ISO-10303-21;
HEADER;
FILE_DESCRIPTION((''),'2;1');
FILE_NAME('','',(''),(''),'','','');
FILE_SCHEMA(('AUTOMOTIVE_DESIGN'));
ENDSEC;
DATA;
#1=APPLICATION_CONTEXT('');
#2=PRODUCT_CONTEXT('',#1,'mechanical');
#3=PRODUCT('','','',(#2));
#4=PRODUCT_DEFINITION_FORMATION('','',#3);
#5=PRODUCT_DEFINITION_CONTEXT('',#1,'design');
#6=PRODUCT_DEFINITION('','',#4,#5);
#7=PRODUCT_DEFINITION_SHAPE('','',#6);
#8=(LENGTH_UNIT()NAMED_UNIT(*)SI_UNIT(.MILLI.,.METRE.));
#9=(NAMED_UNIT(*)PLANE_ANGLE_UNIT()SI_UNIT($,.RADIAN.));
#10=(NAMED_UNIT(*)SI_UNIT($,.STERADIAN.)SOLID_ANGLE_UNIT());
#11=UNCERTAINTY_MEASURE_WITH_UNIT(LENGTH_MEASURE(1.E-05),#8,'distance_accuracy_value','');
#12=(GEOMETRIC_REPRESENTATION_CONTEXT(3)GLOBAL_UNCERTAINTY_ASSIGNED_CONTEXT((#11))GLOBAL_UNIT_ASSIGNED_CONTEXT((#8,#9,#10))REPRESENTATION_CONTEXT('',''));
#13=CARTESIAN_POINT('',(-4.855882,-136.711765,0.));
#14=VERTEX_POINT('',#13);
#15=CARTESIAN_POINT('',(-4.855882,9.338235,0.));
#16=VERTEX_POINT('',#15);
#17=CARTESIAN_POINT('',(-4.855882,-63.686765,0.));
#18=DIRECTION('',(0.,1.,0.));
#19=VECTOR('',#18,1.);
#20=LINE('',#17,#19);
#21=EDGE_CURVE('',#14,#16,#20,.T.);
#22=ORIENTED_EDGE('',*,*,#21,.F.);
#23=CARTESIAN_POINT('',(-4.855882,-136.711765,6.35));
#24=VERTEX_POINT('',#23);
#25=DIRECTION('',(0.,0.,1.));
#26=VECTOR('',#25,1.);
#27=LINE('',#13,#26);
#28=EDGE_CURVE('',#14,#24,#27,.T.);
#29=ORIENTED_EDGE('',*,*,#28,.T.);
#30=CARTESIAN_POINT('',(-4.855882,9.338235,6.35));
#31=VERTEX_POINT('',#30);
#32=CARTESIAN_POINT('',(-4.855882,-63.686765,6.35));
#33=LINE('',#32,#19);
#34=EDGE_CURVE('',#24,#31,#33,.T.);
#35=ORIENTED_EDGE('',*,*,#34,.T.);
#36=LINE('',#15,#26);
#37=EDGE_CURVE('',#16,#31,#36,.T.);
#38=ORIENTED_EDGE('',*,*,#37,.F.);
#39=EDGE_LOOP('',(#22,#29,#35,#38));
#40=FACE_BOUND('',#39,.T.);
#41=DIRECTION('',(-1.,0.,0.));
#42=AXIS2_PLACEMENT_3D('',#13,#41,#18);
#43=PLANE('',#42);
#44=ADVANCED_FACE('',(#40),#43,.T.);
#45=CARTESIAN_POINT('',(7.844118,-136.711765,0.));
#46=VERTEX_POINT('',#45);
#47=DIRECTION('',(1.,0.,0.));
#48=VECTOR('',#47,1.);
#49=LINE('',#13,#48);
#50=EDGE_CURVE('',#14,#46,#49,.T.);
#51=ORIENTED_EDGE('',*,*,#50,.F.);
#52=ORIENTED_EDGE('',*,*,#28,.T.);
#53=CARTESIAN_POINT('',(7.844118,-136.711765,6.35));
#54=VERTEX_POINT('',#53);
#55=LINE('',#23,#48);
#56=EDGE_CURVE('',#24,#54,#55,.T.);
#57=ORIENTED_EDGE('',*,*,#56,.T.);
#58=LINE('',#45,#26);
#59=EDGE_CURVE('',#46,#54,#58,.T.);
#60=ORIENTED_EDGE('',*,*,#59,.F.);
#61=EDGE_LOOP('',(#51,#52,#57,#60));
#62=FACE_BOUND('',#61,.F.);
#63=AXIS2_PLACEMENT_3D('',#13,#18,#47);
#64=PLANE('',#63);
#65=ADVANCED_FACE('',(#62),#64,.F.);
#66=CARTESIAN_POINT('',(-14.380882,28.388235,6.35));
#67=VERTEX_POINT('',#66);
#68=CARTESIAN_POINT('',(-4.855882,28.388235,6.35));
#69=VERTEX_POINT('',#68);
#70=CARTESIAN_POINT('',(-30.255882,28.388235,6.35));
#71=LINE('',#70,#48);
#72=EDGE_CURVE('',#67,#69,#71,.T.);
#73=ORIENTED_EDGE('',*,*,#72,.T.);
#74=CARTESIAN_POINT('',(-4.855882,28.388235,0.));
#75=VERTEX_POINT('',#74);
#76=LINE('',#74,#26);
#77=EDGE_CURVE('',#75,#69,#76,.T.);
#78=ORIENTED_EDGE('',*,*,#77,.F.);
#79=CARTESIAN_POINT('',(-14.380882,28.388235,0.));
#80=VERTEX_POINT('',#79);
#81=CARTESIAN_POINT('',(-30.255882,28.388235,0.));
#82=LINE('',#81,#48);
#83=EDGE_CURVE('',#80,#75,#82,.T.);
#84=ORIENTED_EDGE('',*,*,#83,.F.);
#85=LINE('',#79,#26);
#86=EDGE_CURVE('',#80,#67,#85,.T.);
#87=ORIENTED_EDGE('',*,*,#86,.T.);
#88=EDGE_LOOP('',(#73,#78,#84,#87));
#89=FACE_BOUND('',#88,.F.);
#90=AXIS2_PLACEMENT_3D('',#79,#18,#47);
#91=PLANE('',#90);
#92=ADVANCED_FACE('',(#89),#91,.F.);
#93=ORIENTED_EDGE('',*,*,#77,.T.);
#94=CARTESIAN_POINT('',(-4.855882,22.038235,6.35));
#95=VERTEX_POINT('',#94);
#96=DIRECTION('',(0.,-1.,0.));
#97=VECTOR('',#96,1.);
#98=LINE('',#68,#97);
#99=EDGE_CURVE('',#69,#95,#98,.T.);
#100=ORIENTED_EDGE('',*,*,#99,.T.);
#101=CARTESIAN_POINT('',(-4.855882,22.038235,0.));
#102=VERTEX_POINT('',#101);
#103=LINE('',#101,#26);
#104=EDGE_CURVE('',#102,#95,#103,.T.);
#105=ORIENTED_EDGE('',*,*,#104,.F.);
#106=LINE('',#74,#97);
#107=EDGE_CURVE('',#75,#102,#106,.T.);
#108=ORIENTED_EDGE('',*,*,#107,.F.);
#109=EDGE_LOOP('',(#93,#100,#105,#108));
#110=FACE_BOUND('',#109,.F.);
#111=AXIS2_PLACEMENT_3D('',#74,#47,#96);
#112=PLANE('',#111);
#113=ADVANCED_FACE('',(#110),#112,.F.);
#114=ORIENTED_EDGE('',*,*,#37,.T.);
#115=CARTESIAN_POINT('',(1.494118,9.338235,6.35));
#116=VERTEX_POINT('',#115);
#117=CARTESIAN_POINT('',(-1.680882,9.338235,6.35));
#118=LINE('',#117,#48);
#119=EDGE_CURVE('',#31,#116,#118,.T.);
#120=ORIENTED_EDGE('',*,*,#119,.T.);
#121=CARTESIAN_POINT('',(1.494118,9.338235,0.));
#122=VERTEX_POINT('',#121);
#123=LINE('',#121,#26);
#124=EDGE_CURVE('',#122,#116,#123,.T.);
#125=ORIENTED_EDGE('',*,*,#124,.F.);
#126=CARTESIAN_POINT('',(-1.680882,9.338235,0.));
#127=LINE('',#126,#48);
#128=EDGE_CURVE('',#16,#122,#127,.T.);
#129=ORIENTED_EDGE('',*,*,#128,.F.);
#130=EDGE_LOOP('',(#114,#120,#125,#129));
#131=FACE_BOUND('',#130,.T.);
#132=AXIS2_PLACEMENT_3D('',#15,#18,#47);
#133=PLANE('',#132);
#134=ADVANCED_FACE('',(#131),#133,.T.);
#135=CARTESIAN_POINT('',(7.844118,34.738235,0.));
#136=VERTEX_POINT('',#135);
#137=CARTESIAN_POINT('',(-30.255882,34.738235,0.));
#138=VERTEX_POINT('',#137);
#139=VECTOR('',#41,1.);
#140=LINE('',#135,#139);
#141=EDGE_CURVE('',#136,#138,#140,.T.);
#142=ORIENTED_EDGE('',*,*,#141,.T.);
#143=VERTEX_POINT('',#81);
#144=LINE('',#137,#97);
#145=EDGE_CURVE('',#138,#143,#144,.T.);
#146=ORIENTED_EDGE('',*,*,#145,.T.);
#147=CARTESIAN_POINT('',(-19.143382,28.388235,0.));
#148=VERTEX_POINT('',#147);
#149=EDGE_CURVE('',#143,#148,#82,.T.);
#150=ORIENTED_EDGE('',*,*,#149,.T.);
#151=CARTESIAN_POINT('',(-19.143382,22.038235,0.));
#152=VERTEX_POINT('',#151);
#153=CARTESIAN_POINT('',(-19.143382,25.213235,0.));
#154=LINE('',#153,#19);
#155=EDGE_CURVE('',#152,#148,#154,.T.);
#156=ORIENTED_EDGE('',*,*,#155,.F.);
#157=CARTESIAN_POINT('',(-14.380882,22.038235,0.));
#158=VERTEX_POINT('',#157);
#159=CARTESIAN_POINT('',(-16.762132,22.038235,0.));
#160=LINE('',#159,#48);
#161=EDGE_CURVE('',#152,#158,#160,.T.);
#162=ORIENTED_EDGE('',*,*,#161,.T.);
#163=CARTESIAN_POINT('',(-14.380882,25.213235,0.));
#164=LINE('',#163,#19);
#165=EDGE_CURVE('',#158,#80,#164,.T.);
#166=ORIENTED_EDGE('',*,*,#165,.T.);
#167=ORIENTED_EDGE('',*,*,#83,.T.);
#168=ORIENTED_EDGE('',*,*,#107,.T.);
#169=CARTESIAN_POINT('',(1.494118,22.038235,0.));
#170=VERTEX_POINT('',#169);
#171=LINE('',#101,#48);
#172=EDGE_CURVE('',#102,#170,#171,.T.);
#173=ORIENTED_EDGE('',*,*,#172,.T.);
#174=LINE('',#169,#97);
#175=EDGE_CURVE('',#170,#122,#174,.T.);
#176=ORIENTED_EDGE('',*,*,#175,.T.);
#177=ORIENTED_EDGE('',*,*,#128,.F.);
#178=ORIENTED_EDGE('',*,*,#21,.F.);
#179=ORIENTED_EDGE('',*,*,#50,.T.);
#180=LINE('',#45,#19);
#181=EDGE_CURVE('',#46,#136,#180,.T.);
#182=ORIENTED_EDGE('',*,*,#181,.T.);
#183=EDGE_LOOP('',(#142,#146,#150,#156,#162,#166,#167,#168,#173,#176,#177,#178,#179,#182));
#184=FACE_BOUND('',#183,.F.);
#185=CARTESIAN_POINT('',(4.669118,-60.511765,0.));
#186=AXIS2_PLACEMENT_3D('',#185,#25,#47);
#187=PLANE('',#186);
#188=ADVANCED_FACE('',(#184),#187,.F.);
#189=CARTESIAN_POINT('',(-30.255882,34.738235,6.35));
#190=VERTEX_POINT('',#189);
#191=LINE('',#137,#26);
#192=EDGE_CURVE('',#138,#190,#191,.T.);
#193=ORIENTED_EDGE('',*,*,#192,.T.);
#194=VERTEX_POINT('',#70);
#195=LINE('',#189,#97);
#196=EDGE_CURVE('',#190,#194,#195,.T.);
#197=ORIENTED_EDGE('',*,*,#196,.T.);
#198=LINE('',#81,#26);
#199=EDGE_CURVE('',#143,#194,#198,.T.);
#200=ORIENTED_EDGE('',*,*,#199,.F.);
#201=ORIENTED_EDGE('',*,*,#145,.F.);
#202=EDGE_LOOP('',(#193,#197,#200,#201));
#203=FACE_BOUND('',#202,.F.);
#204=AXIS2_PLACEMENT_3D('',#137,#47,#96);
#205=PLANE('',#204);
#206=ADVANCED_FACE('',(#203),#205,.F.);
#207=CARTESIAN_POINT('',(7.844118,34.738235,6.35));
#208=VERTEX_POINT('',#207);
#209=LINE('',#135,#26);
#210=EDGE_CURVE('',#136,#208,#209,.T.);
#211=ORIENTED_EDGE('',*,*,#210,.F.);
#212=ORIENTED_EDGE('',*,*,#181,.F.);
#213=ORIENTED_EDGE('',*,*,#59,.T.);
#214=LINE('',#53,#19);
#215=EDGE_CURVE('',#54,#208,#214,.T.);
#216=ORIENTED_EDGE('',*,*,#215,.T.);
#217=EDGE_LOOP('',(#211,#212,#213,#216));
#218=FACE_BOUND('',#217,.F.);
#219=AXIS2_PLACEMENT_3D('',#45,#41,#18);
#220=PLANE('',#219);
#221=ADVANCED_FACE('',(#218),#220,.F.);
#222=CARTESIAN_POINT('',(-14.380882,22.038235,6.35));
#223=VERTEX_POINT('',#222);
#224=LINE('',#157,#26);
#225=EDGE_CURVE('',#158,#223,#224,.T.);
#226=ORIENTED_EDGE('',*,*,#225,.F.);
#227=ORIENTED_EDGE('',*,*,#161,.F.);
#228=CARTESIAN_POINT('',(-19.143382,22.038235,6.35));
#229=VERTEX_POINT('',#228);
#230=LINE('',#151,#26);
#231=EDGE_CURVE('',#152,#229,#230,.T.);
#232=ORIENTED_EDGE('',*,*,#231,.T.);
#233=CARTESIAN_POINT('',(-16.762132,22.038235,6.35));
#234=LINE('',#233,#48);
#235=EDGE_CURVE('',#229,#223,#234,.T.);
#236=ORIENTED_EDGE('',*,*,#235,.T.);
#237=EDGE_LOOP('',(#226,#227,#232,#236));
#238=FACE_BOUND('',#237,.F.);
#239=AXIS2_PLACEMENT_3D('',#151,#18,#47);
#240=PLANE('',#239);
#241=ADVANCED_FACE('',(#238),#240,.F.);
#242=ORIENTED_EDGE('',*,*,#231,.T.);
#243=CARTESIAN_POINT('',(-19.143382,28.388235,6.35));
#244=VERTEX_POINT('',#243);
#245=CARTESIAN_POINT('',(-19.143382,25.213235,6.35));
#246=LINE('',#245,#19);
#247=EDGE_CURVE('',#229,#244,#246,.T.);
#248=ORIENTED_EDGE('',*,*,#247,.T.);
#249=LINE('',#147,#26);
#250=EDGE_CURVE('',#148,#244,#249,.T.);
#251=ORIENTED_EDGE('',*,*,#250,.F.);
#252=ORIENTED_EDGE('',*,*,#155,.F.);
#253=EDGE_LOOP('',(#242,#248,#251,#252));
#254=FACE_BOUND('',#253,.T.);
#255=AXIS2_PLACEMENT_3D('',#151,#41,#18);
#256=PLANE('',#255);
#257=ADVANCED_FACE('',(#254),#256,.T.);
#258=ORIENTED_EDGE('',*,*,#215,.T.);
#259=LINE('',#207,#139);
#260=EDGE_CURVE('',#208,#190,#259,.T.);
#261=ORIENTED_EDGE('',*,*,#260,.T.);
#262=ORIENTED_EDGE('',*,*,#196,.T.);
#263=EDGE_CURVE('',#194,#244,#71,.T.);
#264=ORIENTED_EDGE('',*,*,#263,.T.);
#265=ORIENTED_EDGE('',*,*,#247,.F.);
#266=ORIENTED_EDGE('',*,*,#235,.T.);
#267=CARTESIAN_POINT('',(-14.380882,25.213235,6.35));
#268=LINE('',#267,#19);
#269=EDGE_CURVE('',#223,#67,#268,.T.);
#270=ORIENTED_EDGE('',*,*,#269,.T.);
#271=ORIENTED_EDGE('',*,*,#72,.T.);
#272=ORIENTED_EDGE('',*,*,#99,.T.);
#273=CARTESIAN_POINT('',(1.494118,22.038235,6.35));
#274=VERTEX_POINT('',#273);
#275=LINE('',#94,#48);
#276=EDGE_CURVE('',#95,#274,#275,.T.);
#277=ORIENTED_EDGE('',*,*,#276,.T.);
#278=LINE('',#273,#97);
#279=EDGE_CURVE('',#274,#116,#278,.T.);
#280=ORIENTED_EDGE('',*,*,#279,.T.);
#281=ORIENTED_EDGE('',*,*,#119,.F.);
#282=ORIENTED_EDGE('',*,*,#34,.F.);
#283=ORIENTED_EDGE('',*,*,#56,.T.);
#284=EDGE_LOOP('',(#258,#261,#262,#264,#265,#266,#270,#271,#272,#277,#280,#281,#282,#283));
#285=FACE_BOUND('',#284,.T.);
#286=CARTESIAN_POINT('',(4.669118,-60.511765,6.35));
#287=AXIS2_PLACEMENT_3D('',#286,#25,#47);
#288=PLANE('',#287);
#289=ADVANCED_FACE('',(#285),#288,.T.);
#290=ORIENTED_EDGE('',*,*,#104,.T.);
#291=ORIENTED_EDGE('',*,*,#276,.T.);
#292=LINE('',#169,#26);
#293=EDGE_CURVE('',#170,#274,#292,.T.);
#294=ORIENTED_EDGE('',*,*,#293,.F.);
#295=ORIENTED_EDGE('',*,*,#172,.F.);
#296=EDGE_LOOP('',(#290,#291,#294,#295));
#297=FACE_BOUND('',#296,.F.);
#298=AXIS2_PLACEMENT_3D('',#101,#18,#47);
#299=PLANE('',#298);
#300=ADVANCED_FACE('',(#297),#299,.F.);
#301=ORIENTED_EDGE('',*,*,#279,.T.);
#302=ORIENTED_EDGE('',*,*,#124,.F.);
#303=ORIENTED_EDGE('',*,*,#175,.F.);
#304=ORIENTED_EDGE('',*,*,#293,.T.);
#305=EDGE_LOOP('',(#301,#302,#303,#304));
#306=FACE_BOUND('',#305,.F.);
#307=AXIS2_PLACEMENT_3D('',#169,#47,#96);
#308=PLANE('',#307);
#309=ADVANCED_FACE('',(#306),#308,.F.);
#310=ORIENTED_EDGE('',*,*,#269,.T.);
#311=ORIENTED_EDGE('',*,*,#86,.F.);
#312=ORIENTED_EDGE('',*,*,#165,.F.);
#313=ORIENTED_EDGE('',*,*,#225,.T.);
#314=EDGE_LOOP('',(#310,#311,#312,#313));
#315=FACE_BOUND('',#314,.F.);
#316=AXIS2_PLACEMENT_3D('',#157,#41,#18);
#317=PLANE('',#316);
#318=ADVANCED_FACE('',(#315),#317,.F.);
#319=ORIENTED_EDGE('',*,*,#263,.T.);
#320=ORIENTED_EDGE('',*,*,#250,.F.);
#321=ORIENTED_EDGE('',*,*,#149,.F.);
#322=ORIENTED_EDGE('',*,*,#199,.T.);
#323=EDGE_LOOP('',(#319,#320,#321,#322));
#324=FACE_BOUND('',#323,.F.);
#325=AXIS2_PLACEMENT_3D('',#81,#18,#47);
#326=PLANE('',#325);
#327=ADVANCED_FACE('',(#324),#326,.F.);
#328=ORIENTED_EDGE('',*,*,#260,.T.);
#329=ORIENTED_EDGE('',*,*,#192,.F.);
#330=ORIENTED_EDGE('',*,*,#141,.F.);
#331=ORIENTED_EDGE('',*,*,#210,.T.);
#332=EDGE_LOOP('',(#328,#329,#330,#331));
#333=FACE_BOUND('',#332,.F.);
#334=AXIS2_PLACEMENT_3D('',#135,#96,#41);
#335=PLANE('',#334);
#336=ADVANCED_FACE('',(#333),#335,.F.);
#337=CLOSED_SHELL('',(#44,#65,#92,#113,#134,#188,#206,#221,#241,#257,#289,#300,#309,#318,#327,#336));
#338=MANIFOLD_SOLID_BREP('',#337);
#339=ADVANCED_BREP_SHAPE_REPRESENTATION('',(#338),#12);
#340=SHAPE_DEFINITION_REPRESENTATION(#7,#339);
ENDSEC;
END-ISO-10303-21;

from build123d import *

# Parameters (mm, degrees)
F0_W     = 6.35
F0_H     = 6.35
F0_H_2   = 146.05
F0_W_2   = 4.7625
F1_DEPTH = 6.35


with BuildPart() as f1:
    # F0 (on Top) → F1 (new body)
    with BuildSketch(Plane.XY):
        Polygon((7.844118, -136.711765), (7.844118, 15.688235), (1.494118, 15.688235), (1.494118, 9.338235), (1.494118, -136.711765), align=None)
        with Locations((4.669118, 18.863235)):
            Rectangle(F0_W, F0_H)
        Polygon((1.494118, 22.038235), (7.844118, 22.038235), (7.844118, 28.388235), (-4.855882, 28.388235), (-4.855882, 22.038235), align=None)
        with Locations((-1.680882, -63.686765)):
            Rectangle(F0_W, F0_H_2)
        Polygon((-4.855882, 28.388235), (7.844118, 28.388235), (7.844118, 34.738235), (-30.255882, 34.738235), (-30.255882, 28.388235), (-19.143382, 28.388235), (-14.380882, 28.388235), align=None)
        with Locations((-16.762132, 25.213235)):
            Rectangle(F0_W_2, F0_H)
    extrude(amount=F1_DEPTH)


solid = f1.part
